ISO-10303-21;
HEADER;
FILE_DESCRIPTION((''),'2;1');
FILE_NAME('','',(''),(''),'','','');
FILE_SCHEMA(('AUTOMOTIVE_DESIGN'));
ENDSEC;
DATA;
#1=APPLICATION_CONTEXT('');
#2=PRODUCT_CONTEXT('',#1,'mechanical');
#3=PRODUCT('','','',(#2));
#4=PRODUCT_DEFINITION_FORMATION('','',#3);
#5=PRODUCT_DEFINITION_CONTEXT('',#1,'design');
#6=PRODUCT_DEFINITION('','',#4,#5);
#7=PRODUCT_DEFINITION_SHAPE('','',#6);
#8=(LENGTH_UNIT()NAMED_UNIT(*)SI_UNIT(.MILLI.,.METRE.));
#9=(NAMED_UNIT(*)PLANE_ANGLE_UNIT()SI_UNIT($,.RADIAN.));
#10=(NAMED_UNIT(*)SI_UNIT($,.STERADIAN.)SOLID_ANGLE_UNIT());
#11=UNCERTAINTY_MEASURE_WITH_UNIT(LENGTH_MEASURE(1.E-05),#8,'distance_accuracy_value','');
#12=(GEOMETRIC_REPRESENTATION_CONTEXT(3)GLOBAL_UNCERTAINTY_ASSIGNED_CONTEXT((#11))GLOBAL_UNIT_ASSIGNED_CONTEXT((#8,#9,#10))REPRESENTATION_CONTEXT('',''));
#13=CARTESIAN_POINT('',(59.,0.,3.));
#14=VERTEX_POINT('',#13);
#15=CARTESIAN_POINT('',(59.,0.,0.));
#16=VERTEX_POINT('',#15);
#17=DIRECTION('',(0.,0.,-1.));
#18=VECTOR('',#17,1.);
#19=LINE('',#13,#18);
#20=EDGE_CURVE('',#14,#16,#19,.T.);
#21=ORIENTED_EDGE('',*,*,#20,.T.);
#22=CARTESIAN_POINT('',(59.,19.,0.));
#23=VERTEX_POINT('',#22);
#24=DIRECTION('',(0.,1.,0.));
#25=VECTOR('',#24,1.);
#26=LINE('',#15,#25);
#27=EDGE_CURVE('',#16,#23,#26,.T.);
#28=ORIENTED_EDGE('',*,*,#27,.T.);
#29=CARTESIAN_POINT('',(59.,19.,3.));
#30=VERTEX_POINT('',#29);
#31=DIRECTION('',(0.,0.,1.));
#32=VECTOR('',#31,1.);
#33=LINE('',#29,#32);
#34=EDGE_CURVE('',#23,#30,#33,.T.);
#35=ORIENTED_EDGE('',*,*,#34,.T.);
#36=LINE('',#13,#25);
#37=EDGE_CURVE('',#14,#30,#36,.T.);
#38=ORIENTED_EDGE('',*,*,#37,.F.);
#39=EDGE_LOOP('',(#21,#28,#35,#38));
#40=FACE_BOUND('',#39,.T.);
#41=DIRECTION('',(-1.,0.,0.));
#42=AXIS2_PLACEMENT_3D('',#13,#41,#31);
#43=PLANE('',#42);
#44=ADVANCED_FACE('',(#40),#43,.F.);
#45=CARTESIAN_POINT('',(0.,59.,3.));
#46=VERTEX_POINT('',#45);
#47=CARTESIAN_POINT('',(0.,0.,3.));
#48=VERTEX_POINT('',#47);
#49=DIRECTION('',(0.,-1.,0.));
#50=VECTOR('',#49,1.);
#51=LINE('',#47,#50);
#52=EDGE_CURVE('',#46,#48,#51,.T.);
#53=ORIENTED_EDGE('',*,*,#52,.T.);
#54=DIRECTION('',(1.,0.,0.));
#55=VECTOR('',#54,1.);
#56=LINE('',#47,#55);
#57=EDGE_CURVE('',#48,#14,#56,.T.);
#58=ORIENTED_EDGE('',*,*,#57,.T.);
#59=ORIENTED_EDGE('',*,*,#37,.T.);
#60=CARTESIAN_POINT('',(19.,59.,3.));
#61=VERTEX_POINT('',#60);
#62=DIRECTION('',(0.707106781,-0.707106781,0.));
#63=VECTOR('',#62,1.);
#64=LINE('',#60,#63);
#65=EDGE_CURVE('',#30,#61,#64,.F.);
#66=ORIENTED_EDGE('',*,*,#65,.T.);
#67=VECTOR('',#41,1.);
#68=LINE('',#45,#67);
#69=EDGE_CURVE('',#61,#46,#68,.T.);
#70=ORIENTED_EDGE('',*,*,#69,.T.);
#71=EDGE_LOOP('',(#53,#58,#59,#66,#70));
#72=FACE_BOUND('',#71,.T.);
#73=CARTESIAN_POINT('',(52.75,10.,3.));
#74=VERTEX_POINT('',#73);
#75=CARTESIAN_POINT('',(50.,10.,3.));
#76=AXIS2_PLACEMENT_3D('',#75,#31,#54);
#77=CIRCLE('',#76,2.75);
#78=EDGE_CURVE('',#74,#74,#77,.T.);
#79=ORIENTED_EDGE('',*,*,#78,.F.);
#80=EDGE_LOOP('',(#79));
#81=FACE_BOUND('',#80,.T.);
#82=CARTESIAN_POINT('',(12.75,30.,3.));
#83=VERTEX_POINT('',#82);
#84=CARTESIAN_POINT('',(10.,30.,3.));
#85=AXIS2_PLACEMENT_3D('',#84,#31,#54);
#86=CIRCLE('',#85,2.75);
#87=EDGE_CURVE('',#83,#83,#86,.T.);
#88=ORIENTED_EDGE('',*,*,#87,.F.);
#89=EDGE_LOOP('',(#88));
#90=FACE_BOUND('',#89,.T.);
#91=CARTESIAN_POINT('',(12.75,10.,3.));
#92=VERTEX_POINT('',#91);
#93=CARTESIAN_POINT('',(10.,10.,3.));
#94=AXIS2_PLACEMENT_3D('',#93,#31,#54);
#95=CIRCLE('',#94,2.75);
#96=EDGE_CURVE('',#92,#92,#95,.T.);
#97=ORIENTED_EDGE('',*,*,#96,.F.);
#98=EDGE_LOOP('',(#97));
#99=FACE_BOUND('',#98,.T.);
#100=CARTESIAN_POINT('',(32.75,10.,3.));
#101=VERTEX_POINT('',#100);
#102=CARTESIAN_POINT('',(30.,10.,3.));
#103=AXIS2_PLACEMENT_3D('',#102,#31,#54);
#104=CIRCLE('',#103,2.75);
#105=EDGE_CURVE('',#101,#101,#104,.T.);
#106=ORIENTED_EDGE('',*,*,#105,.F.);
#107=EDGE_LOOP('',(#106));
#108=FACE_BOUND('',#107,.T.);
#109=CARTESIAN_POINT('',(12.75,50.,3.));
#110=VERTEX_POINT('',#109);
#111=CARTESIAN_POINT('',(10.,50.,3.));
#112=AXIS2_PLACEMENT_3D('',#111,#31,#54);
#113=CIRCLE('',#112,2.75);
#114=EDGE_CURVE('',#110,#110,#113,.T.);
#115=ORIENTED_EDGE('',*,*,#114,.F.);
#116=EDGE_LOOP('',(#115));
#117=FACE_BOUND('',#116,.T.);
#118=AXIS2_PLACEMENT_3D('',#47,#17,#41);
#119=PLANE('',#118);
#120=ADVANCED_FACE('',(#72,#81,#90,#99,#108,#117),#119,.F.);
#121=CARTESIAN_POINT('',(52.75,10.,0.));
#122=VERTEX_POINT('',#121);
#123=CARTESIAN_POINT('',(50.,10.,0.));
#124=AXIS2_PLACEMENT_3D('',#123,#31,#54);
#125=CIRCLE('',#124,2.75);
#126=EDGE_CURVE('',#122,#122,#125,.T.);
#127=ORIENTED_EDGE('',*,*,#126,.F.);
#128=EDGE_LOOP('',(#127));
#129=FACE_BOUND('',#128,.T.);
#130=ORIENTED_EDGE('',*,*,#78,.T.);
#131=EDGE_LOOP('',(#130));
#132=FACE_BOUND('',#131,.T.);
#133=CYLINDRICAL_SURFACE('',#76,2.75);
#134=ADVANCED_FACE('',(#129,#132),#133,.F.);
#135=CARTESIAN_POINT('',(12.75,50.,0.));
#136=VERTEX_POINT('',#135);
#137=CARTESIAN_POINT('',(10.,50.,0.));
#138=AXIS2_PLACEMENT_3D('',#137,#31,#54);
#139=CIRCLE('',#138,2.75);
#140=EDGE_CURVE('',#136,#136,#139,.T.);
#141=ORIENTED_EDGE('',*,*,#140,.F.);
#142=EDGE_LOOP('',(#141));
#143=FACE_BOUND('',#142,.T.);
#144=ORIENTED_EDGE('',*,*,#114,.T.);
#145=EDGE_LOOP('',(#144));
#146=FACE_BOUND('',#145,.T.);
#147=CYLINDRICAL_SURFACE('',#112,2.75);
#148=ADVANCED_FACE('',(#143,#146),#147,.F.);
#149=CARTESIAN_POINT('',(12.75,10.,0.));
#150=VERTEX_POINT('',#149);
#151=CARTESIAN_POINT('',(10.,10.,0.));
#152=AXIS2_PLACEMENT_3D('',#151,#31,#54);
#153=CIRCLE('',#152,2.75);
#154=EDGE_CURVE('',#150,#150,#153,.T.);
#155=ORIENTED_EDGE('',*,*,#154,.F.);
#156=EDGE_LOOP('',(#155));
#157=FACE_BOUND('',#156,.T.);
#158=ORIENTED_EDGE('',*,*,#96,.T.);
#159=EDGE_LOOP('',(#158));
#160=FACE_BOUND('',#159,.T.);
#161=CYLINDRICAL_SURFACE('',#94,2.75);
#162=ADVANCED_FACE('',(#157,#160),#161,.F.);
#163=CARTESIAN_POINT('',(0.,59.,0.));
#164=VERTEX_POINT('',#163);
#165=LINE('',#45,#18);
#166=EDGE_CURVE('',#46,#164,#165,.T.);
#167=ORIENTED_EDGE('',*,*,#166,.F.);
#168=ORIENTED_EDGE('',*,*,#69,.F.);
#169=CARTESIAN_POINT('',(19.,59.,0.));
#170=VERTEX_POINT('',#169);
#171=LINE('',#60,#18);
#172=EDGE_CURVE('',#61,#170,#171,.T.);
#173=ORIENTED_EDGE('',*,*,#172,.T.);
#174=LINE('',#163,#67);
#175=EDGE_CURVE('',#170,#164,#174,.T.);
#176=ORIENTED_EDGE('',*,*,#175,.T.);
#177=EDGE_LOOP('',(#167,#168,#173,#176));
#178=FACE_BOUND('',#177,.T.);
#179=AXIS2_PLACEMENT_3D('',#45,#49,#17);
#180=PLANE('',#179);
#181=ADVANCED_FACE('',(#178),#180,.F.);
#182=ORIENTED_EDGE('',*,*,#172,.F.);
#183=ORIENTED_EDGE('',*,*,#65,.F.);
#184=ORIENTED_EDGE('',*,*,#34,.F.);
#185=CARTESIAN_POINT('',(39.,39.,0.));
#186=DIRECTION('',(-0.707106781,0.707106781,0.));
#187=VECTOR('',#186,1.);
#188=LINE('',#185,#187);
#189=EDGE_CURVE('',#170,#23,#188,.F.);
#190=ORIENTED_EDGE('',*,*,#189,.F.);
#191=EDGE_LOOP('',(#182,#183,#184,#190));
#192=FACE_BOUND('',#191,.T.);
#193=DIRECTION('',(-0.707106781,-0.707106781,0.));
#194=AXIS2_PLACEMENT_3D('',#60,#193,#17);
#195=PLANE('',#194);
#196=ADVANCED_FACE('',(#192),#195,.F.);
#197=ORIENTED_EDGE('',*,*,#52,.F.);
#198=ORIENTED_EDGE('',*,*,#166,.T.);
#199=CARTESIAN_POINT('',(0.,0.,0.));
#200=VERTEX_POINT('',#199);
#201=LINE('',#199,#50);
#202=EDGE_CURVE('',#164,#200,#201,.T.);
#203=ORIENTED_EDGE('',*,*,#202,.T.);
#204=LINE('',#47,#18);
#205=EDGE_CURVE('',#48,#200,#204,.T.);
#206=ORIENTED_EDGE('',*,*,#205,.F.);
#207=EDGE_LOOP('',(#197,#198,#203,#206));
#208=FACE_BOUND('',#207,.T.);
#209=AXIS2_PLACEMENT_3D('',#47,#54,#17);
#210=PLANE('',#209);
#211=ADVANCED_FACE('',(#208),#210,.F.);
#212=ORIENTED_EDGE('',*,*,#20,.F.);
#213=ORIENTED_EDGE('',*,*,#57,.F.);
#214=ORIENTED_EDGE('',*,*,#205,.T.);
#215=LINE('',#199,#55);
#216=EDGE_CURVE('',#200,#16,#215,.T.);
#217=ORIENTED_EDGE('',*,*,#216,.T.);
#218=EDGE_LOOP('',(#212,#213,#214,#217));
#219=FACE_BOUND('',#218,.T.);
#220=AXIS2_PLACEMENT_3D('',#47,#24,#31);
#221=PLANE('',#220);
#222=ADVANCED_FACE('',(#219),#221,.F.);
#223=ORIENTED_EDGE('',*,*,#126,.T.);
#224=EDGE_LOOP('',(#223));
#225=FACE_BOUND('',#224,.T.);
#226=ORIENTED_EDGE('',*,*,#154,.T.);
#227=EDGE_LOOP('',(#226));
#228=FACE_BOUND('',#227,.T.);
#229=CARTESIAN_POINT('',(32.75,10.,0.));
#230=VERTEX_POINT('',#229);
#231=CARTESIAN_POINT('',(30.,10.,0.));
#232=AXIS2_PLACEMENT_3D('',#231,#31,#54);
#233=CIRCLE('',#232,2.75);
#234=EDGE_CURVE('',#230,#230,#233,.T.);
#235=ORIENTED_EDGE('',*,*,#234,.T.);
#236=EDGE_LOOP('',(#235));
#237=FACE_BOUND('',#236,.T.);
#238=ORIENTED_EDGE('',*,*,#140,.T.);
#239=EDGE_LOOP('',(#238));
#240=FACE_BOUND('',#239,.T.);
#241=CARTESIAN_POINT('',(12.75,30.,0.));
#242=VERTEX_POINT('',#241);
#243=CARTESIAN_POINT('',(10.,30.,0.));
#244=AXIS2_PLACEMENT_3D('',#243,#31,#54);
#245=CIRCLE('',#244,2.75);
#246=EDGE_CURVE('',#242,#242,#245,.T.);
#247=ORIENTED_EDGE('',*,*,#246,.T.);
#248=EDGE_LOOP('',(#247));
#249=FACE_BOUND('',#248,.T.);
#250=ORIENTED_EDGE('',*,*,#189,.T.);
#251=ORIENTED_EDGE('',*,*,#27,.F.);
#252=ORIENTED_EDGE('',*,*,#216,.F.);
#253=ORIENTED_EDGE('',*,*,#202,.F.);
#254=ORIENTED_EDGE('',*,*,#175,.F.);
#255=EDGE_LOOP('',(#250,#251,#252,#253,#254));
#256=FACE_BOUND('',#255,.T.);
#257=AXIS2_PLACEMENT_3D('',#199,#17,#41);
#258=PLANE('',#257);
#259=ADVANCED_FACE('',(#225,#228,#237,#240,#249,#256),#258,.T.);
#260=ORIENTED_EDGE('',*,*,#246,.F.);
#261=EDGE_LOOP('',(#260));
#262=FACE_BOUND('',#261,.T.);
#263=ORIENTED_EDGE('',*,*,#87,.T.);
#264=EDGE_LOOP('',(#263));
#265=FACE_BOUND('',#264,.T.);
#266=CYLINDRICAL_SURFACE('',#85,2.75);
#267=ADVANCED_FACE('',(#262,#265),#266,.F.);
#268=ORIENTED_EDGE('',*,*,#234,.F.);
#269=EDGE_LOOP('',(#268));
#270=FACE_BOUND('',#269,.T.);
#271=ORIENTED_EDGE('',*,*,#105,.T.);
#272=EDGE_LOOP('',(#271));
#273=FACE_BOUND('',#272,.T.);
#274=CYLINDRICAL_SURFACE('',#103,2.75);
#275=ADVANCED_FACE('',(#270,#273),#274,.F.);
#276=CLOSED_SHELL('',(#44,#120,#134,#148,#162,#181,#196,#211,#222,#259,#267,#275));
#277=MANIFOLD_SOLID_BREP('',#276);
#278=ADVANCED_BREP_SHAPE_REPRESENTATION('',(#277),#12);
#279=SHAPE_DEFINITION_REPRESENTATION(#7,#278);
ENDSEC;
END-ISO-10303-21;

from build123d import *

# Parameters (mm, degrees)
SCHIZZO1_W                   = 59
SCHIZZO1_H                   = 59
ESTRUSIONE_ESTRUSIONE1_DEPTH = 3
FORO_PER_VITE_M5_1_D         = 5.5
SMUSSO1_SIZE                 = 40


with BuildPart() as part:
    # Schizzo1 → Estrusione-Estrusione1 (new body)
    with BuildSketch(Plane.XY):
        with Locations((29.5, 29.5)):
            Rectangle(SCHIZZO1_W, SCHIZZO1_H)
    extrude(amount=ESTRUSIONE_ESTRUSIONE1_DEPTH)

    # Foro per Vite M5-1 (through all)
    with Locations(Plane.XY.offset(3)):
        with Locations((10, 10), (10, 30), (30, 10), (50, 10), (10, 50)):
            Hole(FORO_PER_VITE_M5_1_D / 2)

    # Smusso1
    smusso1_edges = [part.edges().sort_by_distance(p)[0] for p in [
        (59, 59, 1.5),
    ]]
    chamfer(smusso1_edges, length=SMUSSO1_SIZE)


solid = part.part
